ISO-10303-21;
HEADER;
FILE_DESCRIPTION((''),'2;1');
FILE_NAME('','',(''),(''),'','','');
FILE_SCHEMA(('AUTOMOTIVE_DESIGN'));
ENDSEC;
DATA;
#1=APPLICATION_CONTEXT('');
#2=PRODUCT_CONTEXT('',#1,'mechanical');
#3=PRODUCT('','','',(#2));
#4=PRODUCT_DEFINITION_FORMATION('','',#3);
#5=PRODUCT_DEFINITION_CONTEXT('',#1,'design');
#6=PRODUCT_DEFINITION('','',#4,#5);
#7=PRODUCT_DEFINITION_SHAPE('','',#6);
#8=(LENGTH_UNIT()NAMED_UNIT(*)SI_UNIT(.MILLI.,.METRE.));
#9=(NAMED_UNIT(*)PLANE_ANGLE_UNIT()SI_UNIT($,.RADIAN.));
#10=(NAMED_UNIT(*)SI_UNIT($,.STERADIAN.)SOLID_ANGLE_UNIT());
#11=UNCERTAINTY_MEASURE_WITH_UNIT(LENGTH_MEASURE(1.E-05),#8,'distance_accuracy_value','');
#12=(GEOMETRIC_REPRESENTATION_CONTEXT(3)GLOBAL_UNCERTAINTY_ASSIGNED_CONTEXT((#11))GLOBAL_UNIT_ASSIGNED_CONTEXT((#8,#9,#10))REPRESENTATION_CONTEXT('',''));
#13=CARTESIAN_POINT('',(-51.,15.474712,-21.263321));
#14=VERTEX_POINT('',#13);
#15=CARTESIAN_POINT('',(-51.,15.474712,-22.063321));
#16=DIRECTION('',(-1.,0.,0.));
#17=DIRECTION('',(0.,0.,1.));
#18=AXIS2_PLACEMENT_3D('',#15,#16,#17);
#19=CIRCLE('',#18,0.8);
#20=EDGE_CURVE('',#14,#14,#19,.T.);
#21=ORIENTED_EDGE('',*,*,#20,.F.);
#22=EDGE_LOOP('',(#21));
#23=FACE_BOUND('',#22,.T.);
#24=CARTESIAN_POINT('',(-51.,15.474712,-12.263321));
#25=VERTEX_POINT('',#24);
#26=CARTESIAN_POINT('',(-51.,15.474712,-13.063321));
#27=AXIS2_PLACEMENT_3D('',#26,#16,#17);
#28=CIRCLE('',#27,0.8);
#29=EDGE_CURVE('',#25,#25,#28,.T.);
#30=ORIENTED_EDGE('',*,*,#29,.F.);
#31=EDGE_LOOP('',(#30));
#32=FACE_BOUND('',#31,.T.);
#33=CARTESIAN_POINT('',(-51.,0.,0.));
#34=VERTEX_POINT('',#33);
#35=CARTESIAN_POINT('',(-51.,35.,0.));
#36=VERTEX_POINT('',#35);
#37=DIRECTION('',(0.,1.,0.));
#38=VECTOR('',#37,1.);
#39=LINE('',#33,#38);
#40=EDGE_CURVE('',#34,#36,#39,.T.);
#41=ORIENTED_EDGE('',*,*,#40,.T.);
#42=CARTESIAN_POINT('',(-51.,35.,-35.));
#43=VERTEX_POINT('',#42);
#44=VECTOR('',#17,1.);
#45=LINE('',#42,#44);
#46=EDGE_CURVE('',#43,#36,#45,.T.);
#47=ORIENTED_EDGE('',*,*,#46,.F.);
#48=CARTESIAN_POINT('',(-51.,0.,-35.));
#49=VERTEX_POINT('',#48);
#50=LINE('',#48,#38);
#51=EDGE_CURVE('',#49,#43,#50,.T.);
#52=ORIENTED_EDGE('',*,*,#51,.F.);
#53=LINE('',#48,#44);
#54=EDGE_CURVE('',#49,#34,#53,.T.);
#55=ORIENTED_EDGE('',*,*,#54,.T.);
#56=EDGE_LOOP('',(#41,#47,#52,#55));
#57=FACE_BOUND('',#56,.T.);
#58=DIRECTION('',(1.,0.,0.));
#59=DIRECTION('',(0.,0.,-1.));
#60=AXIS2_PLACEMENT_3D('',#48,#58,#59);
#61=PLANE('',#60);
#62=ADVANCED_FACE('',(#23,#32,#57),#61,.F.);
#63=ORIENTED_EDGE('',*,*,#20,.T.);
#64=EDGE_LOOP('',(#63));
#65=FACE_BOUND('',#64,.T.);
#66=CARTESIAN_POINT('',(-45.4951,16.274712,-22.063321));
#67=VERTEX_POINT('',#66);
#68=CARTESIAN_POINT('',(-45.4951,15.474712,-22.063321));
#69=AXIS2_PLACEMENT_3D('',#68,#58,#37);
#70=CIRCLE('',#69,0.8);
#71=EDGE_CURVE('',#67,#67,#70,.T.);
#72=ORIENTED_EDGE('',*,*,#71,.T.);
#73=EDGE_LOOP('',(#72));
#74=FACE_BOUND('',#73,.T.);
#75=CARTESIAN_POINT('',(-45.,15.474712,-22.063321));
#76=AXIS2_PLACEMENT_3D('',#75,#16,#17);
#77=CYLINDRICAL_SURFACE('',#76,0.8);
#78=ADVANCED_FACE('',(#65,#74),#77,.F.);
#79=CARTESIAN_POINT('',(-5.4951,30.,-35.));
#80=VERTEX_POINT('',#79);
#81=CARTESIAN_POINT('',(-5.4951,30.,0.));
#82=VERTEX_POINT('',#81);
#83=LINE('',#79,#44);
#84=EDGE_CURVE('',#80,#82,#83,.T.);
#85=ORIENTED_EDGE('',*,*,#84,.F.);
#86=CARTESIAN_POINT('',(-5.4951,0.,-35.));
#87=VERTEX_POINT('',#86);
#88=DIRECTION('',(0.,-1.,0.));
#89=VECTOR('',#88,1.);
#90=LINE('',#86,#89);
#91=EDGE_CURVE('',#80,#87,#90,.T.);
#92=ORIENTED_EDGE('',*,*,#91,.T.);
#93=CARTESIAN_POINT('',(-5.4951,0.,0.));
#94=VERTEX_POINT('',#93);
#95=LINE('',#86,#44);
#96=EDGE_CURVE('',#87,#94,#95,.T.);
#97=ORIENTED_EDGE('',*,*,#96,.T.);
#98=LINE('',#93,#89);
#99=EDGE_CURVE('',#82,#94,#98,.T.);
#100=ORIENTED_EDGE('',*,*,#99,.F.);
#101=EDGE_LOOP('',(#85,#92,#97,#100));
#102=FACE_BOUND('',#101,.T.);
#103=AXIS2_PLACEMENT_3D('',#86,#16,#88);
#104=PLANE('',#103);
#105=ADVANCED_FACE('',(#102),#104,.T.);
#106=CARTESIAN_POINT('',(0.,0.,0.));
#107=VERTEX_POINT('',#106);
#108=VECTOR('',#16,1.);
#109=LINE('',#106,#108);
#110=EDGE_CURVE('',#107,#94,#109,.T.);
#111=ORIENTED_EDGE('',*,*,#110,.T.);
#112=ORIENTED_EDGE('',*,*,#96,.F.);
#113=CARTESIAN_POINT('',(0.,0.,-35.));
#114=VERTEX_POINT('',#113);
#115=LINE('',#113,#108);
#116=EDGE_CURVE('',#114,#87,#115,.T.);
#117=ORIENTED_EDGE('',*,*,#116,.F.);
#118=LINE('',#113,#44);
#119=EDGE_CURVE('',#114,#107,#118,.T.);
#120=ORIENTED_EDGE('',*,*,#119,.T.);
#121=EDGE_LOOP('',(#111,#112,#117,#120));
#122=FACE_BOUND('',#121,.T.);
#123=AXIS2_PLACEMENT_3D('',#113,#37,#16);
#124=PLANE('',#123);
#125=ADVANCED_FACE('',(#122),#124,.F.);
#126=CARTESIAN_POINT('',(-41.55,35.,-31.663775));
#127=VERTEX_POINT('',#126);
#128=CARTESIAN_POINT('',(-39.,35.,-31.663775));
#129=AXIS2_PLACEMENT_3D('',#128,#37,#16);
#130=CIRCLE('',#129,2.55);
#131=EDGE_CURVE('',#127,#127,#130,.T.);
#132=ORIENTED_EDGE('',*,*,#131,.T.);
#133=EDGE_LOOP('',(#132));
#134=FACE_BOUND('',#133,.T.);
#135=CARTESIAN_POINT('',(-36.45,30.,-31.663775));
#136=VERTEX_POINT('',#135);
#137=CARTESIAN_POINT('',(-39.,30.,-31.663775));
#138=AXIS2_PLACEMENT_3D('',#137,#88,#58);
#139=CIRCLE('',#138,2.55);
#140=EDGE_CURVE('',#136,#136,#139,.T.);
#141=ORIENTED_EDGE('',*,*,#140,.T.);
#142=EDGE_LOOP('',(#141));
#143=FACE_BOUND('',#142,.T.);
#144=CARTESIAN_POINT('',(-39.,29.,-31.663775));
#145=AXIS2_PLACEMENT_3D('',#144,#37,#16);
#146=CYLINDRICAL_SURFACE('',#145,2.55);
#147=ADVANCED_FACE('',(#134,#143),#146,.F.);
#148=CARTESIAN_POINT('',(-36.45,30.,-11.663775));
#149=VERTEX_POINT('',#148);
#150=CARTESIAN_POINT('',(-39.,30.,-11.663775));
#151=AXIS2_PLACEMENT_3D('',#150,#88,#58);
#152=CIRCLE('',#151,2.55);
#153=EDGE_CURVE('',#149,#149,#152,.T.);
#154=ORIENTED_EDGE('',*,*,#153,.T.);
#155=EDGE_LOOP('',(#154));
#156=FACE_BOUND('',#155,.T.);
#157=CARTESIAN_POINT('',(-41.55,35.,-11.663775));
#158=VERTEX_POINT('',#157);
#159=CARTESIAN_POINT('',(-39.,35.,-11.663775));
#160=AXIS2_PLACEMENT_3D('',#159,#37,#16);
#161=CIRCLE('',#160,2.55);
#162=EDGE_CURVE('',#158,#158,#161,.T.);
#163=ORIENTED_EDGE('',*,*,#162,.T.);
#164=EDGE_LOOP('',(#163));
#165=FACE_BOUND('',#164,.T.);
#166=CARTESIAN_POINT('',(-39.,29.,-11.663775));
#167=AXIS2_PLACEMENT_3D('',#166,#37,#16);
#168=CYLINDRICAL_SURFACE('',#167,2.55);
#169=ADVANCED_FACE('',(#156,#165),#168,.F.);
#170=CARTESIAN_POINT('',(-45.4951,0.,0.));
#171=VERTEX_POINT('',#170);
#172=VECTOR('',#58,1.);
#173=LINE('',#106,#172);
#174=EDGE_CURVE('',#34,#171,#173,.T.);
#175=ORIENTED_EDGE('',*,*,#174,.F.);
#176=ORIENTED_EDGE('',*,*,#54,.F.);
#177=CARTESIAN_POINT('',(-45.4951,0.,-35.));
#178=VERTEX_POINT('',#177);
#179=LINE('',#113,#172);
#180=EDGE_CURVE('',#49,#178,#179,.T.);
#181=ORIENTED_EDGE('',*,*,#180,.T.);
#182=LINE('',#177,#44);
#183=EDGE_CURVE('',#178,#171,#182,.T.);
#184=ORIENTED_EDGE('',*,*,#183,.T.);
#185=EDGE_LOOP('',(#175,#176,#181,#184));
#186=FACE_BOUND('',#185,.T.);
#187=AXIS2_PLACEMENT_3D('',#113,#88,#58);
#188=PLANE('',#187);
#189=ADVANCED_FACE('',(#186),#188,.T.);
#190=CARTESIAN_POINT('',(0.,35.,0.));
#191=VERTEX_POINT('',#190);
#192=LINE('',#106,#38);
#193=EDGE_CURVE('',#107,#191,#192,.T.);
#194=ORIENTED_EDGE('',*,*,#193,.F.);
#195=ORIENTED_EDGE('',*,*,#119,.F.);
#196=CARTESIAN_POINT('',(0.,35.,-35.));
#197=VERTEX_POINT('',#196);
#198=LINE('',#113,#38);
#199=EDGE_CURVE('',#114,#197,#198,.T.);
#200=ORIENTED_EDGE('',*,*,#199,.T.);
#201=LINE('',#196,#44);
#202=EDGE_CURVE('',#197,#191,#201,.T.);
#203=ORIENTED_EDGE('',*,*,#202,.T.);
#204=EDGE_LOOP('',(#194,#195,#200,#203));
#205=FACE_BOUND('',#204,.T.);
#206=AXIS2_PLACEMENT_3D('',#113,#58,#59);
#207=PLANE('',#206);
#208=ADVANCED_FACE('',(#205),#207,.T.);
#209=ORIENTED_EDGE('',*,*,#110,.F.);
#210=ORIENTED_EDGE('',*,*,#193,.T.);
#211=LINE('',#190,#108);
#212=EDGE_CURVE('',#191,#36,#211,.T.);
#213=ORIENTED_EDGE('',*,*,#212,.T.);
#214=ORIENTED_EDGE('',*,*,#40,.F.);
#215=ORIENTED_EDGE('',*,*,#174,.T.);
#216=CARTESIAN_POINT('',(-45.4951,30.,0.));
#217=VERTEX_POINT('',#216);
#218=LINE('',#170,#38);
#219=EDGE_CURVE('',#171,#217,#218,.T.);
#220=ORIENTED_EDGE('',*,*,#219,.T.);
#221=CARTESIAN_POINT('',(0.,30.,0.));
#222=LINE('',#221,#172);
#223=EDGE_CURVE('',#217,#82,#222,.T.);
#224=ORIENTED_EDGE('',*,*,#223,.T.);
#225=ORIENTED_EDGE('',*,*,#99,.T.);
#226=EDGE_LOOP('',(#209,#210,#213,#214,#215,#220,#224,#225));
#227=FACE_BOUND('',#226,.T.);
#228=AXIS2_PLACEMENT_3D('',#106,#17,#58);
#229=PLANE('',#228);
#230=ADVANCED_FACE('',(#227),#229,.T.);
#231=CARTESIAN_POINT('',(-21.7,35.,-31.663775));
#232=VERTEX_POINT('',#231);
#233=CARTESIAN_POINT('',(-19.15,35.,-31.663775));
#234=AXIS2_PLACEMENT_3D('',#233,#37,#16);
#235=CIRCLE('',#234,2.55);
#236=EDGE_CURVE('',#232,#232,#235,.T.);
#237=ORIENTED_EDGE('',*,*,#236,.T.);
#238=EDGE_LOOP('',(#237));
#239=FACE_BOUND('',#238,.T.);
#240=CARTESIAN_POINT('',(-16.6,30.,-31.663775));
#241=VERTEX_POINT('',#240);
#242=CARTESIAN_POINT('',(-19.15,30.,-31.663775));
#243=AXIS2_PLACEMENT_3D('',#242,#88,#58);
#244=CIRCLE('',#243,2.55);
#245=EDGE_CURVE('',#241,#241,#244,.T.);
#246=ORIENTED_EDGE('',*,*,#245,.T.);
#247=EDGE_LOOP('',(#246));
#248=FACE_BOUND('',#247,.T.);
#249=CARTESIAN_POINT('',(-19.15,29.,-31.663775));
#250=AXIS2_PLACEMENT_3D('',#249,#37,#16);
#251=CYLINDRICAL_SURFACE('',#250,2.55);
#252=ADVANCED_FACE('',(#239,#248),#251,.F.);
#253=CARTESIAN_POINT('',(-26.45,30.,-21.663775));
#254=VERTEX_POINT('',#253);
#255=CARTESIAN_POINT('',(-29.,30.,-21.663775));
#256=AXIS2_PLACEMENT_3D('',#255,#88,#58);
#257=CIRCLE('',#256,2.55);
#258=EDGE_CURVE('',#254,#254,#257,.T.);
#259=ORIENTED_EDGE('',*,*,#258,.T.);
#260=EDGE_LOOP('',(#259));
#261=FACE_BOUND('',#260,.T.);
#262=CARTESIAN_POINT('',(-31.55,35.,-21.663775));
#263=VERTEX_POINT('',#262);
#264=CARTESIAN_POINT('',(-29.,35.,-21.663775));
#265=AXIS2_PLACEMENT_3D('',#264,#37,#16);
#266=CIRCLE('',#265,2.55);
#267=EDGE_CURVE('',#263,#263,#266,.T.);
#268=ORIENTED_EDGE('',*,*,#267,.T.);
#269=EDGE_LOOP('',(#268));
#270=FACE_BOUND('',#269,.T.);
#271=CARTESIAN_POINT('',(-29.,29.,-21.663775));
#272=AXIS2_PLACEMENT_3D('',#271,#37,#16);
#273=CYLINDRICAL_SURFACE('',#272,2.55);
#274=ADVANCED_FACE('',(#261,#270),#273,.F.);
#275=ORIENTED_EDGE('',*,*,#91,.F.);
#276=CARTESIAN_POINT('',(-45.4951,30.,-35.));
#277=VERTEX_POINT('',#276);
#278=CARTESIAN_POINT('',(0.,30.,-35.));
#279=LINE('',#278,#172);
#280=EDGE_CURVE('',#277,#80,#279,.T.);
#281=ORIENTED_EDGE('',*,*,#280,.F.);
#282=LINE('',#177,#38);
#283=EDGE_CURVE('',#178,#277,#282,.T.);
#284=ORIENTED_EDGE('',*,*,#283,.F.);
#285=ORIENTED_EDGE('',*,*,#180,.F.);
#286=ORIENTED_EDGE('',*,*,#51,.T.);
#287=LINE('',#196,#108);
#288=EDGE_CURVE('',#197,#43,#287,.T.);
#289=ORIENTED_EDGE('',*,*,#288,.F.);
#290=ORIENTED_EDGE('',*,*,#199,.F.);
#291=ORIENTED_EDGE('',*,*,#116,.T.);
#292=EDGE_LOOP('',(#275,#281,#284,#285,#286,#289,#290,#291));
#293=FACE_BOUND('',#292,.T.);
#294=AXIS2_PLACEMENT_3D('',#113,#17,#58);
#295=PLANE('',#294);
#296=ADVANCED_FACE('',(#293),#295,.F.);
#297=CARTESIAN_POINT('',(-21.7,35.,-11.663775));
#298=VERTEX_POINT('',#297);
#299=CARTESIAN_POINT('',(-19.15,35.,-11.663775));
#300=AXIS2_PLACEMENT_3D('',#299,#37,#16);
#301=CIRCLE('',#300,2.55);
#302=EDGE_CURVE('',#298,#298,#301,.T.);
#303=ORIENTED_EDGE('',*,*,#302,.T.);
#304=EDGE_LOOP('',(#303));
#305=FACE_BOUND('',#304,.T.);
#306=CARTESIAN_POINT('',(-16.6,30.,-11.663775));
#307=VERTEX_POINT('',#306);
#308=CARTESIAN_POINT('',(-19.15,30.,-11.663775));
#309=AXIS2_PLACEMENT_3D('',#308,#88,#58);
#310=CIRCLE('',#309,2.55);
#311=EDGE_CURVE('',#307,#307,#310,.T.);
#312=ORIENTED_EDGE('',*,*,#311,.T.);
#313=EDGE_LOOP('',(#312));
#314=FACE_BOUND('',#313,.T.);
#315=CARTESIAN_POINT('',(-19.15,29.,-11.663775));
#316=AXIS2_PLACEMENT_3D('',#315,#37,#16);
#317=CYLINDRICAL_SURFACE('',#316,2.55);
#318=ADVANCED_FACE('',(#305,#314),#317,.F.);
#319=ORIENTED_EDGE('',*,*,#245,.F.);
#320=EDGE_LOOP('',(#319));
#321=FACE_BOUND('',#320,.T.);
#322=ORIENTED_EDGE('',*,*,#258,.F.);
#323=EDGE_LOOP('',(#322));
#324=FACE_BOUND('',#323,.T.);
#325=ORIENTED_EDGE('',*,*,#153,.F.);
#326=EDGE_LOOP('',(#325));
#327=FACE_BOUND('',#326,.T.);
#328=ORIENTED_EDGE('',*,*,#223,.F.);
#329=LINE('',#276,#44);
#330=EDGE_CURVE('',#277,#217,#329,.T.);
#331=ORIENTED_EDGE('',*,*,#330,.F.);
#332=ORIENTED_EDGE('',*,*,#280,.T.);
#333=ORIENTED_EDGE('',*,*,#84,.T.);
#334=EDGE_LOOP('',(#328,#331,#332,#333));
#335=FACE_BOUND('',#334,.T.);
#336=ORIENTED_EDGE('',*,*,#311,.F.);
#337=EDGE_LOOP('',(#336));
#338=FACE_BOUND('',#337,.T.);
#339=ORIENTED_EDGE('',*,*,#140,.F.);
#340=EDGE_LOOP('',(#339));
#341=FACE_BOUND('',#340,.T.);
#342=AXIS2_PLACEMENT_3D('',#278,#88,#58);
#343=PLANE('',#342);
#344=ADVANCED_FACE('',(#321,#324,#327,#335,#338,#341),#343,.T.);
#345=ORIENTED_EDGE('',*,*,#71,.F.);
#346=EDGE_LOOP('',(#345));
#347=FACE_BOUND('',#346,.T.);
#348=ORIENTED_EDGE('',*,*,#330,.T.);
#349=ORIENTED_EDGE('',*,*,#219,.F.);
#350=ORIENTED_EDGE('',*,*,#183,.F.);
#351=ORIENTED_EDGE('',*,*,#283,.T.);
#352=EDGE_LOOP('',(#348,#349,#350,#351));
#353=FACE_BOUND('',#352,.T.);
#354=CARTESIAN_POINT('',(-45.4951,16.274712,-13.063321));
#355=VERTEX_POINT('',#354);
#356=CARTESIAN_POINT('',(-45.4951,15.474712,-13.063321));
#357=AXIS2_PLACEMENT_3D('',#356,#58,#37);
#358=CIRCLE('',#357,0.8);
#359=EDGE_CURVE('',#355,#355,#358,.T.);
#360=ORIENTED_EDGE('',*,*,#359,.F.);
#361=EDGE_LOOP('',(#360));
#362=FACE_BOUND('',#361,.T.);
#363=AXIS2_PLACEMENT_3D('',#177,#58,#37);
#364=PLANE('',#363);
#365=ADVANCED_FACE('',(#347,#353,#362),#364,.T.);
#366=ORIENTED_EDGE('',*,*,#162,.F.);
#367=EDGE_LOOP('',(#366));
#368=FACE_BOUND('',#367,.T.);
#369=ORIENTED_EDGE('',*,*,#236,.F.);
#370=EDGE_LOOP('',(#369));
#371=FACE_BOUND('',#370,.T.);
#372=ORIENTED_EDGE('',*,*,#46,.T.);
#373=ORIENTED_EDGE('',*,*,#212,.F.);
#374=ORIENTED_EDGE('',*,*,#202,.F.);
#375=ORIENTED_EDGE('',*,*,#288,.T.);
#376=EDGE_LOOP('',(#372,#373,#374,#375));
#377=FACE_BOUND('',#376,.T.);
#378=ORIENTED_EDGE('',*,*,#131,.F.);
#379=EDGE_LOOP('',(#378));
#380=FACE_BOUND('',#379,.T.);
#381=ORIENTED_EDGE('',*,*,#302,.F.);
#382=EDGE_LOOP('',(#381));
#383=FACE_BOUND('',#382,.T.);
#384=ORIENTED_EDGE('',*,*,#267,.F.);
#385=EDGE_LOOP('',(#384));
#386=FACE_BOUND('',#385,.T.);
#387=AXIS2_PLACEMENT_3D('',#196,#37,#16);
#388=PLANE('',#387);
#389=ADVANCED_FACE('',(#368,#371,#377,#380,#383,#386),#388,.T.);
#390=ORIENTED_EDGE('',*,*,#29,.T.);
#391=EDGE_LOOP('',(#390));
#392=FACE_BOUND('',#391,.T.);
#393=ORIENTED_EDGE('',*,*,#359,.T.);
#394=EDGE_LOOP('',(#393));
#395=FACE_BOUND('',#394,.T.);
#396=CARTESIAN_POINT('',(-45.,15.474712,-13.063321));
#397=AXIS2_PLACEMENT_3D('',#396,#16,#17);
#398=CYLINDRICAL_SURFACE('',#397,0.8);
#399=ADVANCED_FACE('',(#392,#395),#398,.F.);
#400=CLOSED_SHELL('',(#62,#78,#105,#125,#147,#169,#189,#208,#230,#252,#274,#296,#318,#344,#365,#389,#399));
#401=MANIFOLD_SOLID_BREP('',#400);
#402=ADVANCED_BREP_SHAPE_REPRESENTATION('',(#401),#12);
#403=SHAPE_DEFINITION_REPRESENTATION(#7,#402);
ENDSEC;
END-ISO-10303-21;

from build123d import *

# Parameters (mm, degrees)
BOSS_EXTRUDE1_DEPTH = 35
SKETCH2_R           = 0.8
CUT_EXTRUDE1_DEPTH  = 6
SKETCH3_R           = 2.55
CUT_EXTRUDE2_DEPTH  = 6


with BuildPart() as part:
    # Sketch1 → Boss-Extrude1 (new body)
    with BuildSketch(Plane.XY):
        Polygon((-45.495099545, 30), (-5.495099545, 30), (-5.495099545, 0), (0, 0), (0, 35), (-51, 35), (-51, 0), (-45.495099545, 0), align=None)
    extrude(amount=-BOSS_EXTRUDE1_DEPTH)

    # Sketch2 → Cut-Extrude1 (cut)
    with BuildSketch(Plane.ZY.offset(51)):
        with Locations((-13.063320716, 15.474711623)):
            Circle(SKETCH2_R)
        with Locations((-22.063320716, 15.474711623)):
            Circle(SKETCH2_R)
    extrude(amount=-CUT_EXTRUDE1_DEPTH, mode=Mode.SUBTRACT)

    # Sketch3 → Cut-Extrude2 (cut)
    with BuildSketch(Plane(origin=(0, 35, 0), x_dir=(1, 0, 0), z_dir=(0, 1, 0))):
        with Locations(Location((-39, 31.663775096, 0), (0, 0, 180))):
            Circle(SKETCH3_R)
        with Locations(Location((-39, 11.663775096, 0), (0, 0, 180))):
            Circle(SKETCH3_R)
        with Locations(Location((-19.15, 31.663775096, 0), (0, 0, 180))):
            Circle(SKETCH3_R)
        with Locations(Location((-19.15, 11.663775096, 0), (0, 0, 180))):
            Circle(SKETCH3_R)
        with Locations(Location((-29, 21.663775096, 0), (0, 0, 180))):
            Circle(SKETCH3_R)
    extrude(amount=-CUT_EXTRUDE2_DEPTH, mode=Mode.SUBTRACT)


solid = part.part
